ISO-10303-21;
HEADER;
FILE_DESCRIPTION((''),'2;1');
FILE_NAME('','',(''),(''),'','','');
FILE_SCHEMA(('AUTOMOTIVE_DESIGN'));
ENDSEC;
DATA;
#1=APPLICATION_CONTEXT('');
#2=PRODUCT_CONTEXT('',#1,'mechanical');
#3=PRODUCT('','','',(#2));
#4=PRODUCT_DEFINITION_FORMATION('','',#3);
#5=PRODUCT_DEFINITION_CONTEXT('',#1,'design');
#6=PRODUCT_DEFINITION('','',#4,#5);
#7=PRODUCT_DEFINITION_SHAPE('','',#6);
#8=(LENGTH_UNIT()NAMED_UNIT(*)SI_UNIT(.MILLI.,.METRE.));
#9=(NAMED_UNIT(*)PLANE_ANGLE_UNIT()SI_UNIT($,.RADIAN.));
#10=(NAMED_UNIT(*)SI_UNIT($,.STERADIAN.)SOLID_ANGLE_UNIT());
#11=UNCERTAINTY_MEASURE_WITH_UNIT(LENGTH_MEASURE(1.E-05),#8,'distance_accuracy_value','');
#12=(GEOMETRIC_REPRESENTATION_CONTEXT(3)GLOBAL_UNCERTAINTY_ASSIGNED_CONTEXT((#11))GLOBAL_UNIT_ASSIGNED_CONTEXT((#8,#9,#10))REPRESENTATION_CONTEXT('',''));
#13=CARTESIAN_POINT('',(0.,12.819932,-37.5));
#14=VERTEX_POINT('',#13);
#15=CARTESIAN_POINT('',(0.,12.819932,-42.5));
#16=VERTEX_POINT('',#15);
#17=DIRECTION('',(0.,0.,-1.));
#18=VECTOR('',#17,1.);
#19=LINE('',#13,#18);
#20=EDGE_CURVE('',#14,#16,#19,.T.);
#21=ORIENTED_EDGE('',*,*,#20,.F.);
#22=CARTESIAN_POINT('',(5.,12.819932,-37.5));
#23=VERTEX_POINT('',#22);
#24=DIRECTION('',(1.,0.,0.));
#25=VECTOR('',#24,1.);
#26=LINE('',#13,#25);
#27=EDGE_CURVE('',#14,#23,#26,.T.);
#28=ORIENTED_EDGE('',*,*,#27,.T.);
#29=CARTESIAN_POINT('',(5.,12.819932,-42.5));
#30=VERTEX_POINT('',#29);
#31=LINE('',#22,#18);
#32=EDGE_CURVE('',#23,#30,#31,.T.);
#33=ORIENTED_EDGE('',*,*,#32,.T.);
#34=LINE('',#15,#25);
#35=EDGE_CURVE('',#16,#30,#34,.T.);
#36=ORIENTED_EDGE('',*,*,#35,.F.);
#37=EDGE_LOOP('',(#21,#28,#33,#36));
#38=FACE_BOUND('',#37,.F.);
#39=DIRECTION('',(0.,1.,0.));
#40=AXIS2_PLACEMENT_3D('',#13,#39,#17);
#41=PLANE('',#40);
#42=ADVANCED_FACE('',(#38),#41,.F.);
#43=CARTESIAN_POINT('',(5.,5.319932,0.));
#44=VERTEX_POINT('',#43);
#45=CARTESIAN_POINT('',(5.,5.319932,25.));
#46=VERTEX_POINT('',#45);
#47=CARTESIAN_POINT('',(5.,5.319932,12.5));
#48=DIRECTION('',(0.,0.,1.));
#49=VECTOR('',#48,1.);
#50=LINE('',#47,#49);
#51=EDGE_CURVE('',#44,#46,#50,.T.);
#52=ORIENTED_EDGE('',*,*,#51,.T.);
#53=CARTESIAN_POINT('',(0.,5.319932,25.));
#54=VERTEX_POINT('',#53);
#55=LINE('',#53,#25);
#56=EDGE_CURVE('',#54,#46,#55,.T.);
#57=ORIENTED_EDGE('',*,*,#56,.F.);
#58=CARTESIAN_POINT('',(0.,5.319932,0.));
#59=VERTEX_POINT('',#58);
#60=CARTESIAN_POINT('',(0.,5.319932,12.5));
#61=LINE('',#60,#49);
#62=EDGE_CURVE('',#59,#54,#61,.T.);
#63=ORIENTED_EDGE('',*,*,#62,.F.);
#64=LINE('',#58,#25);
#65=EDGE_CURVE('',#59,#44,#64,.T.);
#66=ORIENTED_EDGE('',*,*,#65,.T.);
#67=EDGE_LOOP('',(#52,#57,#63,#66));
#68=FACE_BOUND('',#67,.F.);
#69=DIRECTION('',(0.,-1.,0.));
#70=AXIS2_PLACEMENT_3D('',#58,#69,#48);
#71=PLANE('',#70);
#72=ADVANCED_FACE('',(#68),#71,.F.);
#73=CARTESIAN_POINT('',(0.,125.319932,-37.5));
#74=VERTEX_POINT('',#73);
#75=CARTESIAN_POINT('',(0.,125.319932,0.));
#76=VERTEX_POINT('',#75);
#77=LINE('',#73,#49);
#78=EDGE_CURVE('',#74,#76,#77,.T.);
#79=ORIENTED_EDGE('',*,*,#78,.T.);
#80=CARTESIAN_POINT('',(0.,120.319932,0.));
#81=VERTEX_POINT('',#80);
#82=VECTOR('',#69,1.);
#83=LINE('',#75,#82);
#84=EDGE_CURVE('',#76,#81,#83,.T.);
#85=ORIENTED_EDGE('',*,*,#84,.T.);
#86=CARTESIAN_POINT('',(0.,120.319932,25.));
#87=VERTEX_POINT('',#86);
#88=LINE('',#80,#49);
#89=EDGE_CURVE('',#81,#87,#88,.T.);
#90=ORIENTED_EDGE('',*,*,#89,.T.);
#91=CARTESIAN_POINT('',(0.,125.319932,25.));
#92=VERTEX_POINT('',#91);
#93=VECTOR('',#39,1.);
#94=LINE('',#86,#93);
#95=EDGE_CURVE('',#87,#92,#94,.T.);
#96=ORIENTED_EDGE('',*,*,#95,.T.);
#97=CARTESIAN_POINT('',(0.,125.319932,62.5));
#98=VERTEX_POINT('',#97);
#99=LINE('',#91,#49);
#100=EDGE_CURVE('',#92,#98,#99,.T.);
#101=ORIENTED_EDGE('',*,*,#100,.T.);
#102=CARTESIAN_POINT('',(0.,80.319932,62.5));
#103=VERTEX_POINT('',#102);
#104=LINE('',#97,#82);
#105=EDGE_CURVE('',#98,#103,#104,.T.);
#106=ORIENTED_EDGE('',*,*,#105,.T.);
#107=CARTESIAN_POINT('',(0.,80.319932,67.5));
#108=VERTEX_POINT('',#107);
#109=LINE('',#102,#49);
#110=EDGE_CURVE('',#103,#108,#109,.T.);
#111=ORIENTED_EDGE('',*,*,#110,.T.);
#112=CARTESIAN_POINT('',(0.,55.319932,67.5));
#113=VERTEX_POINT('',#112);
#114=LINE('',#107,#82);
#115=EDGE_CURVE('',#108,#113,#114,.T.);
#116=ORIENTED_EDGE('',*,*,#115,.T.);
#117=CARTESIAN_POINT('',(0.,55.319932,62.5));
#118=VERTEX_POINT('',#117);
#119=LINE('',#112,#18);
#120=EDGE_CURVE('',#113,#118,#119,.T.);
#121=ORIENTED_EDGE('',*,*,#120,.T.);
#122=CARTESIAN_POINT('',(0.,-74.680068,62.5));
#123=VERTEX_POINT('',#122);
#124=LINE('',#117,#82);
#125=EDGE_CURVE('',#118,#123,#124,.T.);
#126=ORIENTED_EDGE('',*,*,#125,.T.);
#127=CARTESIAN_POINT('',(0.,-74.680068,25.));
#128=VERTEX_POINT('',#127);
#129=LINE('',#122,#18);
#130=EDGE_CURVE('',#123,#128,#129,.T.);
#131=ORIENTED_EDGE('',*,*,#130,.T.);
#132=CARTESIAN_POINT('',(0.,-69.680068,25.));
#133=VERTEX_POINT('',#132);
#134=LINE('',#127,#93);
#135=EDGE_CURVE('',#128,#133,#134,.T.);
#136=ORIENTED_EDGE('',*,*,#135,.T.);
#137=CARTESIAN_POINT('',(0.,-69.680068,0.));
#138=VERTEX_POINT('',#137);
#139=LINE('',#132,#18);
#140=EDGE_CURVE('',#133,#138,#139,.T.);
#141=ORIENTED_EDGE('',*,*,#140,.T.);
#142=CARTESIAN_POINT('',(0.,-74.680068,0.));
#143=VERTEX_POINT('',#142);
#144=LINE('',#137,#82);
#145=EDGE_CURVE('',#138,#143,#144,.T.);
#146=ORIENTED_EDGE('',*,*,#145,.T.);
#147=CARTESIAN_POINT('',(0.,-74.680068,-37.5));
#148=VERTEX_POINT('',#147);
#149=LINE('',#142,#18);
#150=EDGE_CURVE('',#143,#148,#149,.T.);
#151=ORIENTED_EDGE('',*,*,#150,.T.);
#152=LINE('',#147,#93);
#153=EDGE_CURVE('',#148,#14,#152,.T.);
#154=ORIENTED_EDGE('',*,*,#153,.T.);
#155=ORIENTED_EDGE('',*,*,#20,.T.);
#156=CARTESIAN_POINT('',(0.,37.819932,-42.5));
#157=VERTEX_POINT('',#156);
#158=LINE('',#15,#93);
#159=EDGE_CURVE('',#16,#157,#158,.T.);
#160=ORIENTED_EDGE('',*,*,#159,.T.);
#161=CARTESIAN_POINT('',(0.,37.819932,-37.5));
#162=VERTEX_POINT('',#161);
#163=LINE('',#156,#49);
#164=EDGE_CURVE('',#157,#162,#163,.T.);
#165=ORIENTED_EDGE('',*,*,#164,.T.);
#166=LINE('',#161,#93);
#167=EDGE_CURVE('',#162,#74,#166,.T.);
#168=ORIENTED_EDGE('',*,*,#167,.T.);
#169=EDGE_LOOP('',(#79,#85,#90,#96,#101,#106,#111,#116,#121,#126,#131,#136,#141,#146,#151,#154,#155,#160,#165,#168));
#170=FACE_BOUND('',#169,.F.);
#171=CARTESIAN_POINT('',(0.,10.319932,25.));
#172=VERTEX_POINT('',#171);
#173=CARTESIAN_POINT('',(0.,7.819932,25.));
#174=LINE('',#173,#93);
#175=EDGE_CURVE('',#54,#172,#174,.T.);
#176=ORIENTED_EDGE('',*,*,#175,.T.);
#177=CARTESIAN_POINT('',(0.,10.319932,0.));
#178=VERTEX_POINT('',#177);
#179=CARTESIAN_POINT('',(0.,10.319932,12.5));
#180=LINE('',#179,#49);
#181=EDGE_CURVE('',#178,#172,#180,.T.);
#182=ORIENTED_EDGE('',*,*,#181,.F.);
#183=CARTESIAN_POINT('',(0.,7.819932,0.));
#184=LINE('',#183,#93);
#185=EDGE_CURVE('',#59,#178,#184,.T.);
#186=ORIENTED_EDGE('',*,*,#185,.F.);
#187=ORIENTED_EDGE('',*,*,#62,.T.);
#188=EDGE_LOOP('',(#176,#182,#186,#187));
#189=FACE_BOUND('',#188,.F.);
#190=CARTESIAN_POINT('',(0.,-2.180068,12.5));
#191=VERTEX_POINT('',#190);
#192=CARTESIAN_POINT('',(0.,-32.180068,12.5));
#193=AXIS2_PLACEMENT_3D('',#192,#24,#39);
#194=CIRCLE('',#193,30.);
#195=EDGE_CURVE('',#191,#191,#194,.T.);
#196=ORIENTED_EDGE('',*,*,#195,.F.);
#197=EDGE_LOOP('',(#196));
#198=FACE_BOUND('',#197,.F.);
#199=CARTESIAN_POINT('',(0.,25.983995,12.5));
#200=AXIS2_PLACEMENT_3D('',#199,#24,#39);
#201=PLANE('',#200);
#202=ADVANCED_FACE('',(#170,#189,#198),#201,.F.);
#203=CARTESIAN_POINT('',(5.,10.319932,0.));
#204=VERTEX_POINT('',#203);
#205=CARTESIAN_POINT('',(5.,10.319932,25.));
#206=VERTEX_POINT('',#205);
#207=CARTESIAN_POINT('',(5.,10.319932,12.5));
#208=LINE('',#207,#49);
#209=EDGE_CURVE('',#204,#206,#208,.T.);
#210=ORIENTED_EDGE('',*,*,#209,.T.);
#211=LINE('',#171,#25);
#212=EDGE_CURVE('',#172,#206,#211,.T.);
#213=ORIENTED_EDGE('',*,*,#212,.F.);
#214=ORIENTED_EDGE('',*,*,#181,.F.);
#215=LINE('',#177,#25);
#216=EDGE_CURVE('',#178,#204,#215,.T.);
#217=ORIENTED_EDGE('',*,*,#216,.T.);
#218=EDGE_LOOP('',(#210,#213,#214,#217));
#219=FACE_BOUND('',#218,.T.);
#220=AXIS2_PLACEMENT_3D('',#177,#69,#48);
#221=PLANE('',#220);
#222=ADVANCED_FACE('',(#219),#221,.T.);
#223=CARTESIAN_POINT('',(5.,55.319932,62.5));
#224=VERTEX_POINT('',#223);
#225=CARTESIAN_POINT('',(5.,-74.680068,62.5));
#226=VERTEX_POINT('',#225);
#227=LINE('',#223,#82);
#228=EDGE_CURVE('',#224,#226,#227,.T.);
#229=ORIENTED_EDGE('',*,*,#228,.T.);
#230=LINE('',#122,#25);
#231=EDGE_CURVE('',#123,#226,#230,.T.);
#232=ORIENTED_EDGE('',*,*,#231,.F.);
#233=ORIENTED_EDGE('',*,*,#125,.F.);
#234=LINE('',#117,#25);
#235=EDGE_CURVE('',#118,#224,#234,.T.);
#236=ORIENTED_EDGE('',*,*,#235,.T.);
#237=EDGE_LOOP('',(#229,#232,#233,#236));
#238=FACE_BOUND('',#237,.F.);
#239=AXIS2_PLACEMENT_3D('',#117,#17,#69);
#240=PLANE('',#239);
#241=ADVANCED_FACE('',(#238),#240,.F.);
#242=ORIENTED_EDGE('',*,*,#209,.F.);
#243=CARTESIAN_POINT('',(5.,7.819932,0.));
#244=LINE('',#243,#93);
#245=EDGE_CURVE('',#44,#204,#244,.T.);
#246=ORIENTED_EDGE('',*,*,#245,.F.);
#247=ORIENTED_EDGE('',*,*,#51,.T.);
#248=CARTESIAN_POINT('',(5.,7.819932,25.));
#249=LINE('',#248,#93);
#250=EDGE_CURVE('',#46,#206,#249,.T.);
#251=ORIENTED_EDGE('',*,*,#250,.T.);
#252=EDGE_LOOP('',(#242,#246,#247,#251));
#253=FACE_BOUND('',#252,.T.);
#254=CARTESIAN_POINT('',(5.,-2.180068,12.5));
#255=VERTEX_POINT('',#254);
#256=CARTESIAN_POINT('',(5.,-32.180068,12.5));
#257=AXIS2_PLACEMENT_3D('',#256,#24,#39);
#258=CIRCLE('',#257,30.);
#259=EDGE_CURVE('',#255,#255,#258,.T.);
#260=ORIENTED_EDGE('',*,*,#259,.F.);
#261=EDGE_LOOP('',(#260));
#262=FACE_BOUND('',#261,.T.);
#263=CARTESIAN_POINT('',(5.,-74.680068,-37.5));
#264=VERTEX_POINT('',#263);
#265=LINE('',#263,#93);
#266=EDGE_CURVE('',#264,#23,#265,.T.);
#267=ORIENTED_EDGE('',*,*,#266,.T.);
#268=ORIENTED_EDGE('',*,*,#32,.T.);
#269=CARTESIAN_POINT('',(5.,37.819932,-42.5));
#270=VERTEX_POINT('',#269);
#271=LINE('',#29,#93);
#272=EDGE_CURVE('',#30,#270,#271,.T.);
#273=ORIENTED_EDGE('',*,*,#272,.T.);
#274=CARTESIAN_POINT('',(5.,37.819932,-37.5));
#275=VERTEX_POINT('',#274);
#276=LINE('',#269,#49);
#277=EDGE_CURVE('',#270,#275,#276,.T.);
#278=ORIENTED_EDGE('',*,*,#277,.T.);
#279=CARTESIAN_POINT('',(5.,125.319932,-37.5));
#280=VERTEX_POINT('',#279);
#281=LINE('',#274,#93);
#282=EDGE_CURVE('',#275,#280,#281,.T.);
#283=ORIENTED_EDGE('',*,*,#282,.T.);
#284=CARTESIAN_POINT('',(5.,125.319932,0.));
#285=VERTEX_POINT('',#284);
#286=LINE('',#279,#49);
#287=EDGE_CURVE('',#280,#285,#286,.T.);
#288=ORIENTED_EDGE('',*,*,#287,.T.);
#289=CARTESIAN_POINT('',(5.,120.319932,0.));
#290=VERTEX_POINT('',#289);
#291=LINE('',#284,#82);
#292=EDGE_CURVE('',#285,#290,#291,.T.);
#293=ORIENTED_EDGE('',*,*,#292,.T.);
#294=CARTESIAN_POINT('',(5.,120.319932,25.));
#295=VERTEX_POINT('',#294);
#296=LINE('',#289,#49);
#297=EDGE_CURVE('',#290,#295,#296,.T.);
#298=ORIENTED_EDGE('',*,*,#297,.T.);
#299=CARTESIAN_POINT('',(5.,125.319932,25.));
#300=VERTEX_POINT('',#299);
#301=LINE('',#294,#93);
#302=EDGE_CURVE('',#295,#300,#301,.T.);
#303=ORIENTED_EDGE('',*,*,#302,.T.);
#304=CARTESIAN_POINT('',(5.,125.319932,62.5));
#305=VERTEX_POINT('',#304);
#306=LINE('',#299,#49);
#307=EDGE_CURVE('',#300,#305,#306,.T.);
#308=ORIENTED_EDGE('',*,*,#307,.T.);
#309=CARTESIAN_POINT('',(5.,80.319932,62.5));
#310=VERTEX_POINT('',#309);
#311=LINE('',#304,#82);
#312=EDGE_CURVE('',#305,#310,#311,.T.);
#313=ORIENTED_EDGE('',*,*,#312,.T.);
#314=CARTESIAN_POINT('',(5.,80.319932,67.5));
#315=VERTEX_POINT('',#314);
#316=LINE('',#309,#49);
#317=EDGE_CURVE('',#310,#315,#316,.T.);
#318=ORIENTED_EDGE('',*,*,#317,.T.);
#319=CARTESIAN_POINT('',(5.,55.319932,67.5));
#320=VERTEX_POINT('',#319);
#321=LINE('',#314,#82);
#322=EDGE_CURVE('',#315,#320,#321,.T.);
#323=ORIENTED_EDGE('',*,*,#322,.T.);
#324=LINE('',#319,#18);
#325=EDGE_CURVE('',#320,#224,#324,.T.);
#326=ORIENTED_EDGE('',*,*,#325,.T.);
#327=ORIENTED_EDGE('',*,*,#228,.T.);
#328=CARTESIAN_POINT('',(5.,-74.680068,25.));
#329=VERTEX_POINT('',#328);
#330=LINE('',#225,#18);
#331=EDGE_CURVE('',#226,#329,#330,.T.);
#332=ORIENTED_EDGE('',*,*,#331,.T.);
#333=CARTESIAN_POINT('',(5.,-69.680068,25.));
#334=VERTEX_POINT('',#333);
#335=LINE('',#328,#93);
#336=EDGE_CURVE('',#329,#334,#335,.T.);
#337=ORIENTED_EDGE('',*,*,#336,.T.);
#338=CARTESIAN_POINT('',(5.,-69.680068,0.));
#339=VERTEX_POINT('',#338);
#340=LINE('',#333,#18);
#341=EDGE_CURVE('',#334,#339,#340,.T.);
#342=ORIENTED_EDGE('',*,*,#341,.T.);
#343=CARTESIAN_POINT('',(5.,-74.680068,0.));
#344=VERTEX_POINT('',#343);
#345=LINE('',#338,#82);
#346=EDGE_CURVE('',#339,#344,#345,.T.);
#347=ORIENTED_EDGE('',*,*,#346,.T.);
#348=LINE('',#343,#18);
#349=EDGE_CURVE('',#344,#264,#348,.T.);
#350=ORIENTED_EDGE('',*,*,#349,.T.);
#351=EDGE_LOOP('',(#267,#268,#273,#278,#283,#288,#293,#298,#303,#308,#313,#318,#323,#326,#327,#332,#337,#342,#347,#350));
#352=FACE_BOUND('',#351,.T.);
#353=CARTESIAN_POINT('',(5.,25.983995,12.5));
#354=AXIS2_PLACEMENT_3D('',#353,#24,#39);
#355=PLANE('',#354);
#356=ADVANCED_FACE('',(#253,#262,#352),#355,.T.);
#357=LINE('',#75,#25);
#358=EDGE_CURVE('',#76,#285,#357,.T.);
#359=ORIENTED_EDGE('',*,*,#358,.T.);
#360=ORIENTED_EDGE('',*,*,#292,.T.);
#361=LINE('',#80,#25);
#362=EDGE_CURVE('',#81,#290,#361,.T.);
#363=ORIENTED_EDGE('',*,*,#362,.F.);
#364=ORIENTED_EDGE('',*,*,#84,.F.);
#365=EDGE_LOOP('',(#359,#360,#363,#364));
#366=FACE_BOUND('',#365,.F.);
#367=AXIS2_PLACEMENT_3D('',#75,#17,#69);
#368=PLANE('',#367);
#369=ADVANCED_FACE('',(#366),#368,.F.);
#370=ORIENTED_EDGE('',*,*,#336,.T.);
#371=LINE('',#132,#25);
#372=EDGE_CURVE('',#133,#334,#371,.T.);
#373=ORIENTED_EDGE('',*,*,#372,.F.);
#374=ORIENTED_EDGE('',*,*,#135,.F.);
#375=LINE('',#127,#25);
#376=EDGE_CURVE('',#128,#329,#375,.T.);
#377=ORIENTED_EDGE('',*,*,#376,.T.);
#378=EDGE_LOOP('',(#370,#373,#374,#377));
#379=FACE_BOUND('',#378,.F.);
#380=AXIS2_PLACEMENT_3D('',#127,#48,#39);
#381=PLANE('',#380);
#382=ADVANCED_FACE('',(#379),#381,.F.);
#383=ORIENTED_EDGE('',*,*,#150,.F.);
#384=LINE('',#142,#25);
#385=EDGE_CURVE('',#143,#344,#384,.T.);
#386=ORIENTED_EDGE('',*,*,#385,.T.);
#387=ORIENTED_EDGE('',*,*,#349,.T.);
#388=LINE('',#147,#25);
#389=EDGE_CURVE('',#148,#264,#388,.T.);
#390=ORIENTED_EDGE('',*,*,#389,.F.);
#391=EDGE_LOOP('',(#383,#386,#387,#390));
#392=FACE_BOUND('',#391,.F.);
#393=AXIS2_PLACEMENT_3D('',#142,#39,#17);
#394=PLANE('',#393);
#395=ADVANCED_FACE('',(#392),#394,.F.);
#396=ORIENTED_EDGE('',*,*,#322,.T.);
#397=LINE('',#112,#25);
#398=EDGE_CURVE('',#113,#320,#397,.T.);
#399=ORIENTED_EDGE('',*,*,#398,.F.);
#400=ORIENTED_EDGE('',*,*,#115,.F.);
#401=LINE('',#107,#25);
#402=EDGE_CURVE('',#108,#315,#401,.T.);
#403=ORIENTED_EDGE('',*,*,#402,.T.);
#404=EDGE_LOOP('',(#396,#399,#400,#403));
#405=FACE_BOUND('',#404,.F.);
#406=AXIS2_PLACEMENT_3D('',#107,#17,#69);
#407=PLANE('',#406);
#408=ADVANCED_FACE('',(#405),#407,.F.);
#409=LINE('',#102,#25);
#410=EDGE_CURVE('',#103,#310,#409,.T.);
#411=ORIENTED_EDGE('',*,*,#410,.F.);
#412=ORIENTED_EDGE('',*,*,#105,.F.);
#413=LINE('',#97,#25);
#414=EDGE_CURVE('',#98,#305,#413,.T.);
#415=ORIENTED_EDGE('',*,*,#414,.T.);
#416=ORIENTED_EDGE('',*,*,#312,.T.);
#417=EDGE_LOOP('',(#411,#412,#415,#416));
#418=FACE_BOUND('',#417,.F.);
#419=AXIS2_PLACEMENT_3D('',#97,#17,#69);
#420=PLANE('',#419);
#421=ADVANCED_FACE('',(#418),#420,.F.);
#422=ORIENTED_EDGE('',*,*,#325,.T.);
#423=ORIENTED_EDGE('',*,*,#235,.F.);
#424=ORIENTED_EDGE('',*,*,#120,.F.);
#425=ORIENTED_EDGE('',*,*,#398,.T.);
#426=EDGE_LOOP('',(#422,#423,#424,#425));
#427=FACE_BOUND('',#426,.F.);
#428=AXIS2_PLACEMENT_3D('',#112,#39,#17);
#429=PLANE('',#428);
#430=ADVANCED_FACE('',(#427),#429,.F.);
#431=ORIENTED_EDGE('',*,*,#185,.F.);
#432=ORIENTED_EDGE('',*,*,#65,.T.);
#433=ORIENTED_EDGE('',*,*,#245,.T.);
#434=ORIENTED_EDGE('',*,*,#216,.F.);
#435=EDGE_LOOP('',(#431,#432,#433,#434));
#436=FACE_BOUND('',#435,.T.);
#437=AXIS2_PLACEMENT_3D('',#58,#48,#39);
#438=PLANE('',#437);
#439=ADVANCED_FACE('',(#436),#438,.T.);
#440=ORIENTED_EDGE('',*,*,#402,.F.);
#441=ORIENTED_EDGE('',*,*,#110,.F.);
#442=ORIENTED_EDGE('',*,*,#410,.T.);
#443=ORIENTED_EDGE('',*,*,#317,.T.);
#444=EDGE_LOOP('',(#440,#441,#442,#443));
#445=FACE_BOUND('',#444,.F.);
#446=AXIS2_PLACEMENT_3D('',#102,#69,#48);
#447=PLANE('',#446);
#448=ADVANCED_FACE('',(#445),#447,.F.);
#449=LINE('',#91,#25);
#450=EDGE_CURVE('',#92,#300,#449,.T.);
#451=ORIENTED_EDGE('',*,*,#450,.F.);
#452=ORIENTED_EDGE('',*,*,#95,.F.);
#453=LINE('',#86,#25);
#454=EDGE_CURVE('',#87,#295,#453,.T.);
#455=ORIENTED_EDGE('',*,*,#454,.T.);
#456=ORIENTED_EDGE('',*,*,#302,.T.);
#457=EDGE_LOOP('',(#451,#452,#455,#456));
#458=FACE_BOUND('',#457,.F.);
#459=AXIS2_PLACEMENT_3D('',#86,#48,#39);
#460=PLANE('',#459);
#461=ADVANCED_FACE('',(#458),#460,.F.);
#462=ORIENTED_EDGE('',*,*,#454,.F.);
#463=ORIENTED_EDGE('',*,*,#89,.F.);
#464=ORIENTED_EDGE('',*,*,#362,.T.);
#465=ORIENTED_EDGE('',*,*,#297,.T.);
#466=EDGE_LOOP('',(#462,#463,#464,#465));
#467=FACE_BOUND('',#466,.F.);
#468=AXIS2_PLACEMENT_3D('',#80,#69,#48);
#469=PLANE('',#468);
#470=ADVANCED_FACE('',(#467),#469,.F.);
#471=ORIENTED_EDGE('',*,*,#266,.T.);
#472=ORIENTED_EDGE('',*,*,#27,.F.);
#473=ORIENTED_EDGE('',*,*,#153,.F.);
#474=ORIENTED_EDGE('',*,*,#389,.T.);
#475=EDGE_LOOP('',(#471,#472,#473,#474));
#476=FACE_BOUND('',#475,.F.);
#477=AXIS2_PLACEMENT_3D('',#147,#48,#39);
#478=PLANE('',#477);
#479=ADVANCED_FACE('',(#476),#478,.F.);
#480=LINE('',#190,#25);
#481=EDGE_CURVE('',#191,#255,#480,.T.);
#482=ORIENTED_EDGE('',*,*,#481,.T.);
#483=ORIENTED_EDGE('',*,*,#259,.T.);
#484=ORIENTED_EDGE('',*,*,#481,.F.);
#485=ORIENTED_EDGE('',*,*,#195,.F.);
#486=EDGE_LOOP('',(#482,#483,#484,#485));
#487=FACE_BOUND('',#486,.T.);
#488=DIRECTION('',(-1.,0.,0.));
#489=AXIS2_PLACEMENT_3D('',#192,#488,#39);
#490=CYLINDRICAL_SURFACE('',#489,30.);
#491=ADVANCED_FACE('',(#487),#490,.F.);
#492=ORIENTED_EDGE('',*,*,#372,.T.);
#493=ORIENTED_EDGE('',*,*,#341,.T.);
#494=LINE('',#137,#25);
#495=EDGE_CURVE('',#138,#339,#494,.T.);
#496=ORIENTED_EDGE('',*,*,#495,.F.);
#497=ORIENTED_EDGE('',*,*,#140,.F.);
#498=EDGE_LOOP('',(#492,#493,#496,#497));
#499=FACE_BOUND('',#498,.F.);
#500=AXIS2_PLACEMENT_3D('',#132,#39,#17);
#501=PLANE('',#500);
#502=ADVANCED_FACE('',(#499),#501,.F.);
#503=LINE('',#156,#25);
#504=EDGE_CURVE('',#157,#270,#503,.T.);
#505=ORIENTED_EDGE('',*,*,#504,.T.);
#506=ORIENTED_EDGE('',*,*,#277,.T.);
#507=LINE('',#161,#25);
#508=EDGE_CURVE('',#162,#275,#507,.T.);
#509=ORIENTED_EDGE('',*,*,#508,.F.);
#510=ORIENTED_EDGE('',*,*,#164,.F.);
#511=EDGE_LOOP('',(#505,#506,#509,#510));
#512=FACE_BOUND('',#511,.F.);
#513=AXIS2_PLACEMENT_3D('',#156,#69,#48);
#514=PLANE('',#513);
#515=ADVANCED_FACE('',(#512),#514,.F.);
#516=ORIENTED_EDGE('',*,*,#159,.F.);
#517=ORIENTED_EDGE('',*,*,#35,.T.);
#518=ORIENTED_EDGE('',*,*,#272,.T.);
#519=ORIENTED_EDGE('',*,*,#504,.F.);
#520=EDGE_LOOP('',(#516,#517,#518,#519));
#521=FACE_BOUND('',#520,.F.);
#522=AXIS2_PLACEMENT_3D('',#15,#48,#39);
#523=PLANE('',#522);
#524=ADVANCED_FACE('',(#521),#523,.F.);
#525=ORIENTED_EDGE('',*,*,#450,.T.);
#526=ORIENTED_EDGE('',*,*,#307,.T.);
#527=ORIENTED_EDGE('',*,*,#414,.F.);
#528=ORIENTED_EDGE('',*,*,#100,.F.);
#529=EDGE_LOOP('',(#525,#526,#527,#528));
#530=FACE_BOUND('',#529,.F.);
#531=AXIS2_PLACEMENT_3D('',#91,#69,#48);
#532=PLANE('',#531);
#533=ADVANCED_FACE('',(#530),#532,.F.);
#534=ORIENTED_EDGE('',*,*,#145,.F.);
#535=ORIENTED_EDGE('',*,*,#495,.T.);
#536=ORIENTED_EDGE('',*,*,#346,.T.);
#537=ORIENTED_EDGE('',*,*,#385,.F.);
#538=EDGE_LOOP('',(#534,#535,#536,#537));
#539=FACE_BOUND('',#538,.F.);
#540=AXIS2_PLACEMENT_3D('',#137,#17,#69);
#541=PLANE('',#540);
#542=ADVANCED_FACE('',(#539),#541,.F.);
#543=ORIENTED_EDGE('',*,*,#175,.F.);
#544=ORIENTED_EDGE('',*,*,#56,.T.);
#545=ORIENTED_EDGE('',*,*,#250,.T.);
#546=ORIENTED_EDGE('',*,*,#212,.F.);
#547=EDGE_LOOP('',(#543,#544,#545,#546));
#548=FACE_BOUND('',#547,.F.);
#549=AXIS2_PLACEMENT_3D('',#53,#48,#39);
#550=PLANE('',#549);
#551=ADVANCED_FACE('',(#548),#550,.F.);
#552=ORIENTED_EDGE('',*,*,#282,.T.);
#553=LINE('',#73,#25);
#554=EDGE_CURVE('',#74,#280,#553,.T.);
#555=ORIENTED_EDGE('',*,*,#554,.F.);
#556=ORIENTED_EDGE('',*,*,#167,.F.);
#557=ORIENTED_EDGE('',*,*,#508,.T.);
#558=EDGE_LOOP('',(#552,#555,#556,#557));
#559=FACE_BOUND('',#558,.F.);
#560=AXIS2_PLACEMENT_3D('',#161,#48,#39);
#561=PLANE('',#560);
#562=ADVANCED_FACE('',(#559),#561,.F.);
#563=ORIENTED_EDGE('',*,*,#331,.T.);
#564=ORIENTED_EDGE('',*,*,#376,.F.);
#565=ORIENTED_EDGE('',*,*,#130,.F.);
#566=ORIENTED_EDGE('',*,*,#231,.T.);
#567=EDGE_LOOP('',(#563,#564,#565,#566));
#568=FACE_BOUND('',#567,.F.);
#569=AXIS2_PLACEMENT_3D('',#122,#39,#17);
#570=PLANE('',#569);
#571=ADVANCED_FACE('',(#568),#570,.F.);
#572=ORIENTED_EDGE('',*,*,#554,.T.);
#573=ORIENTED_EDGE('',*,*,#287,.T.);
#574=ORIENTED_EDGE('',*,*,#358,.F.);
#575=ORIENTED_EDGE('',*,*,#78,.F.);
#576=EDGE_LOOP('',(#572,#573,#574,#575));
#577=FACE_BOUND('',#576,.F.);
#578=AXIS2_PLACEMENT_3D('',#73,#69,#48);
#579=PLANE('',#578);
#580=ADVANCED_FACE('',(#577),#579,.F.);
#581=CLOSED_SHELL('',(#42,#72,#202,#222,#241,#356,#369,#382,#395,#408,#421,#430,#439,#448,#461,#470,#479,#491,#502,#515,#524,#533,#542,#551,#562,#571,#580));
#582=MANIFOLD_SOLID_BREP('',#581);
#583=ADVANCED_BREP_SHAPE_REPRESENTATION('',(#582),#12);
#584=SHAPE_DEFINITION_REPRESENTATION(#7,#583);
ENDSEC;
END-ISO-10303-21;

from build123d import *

# Parameters (mm, degrees)
F0_R     = 30
F0_W     = 5
F0_H     = 25
F1_DEPTH = 5


with BuildPart() as f1:
    # F0 (on Right) → F1 (new body)
    with BuildSketch(Plane.YZ):
        Polygon((125.319932, 62.5), (80.319932, 62.5), (80.319932, 67.5), (55.319932, 67.5), (55.319932, 62.5), (10.319932, 62.5), (-74.680068, 62.5), (-74.680068, 25), (-69.680068, 25), (-69.680068, 0), (-74.680068, 0), (-74.680068, -37.5), (12.819932, -37.5), (12.819932, -42.5), (37.819932, -42.5), (37.819932, -37.5), (125.319932, -37.5), (125.319932, 0), (120.319932, 0), (120.319932, 25), (125.319932, 25), align=None)
        with Locations((-32.180068, 12.5)):
            Circle(F0_R, mode=Mode.SUBTRACT)
        with Locations((7.819932, 12.5)):
            Rectangle(F0_W, F0_H, mode=Mode.SUBTRACT)
    extrude(amount=F1_DEPTH)


solid = f1.part
